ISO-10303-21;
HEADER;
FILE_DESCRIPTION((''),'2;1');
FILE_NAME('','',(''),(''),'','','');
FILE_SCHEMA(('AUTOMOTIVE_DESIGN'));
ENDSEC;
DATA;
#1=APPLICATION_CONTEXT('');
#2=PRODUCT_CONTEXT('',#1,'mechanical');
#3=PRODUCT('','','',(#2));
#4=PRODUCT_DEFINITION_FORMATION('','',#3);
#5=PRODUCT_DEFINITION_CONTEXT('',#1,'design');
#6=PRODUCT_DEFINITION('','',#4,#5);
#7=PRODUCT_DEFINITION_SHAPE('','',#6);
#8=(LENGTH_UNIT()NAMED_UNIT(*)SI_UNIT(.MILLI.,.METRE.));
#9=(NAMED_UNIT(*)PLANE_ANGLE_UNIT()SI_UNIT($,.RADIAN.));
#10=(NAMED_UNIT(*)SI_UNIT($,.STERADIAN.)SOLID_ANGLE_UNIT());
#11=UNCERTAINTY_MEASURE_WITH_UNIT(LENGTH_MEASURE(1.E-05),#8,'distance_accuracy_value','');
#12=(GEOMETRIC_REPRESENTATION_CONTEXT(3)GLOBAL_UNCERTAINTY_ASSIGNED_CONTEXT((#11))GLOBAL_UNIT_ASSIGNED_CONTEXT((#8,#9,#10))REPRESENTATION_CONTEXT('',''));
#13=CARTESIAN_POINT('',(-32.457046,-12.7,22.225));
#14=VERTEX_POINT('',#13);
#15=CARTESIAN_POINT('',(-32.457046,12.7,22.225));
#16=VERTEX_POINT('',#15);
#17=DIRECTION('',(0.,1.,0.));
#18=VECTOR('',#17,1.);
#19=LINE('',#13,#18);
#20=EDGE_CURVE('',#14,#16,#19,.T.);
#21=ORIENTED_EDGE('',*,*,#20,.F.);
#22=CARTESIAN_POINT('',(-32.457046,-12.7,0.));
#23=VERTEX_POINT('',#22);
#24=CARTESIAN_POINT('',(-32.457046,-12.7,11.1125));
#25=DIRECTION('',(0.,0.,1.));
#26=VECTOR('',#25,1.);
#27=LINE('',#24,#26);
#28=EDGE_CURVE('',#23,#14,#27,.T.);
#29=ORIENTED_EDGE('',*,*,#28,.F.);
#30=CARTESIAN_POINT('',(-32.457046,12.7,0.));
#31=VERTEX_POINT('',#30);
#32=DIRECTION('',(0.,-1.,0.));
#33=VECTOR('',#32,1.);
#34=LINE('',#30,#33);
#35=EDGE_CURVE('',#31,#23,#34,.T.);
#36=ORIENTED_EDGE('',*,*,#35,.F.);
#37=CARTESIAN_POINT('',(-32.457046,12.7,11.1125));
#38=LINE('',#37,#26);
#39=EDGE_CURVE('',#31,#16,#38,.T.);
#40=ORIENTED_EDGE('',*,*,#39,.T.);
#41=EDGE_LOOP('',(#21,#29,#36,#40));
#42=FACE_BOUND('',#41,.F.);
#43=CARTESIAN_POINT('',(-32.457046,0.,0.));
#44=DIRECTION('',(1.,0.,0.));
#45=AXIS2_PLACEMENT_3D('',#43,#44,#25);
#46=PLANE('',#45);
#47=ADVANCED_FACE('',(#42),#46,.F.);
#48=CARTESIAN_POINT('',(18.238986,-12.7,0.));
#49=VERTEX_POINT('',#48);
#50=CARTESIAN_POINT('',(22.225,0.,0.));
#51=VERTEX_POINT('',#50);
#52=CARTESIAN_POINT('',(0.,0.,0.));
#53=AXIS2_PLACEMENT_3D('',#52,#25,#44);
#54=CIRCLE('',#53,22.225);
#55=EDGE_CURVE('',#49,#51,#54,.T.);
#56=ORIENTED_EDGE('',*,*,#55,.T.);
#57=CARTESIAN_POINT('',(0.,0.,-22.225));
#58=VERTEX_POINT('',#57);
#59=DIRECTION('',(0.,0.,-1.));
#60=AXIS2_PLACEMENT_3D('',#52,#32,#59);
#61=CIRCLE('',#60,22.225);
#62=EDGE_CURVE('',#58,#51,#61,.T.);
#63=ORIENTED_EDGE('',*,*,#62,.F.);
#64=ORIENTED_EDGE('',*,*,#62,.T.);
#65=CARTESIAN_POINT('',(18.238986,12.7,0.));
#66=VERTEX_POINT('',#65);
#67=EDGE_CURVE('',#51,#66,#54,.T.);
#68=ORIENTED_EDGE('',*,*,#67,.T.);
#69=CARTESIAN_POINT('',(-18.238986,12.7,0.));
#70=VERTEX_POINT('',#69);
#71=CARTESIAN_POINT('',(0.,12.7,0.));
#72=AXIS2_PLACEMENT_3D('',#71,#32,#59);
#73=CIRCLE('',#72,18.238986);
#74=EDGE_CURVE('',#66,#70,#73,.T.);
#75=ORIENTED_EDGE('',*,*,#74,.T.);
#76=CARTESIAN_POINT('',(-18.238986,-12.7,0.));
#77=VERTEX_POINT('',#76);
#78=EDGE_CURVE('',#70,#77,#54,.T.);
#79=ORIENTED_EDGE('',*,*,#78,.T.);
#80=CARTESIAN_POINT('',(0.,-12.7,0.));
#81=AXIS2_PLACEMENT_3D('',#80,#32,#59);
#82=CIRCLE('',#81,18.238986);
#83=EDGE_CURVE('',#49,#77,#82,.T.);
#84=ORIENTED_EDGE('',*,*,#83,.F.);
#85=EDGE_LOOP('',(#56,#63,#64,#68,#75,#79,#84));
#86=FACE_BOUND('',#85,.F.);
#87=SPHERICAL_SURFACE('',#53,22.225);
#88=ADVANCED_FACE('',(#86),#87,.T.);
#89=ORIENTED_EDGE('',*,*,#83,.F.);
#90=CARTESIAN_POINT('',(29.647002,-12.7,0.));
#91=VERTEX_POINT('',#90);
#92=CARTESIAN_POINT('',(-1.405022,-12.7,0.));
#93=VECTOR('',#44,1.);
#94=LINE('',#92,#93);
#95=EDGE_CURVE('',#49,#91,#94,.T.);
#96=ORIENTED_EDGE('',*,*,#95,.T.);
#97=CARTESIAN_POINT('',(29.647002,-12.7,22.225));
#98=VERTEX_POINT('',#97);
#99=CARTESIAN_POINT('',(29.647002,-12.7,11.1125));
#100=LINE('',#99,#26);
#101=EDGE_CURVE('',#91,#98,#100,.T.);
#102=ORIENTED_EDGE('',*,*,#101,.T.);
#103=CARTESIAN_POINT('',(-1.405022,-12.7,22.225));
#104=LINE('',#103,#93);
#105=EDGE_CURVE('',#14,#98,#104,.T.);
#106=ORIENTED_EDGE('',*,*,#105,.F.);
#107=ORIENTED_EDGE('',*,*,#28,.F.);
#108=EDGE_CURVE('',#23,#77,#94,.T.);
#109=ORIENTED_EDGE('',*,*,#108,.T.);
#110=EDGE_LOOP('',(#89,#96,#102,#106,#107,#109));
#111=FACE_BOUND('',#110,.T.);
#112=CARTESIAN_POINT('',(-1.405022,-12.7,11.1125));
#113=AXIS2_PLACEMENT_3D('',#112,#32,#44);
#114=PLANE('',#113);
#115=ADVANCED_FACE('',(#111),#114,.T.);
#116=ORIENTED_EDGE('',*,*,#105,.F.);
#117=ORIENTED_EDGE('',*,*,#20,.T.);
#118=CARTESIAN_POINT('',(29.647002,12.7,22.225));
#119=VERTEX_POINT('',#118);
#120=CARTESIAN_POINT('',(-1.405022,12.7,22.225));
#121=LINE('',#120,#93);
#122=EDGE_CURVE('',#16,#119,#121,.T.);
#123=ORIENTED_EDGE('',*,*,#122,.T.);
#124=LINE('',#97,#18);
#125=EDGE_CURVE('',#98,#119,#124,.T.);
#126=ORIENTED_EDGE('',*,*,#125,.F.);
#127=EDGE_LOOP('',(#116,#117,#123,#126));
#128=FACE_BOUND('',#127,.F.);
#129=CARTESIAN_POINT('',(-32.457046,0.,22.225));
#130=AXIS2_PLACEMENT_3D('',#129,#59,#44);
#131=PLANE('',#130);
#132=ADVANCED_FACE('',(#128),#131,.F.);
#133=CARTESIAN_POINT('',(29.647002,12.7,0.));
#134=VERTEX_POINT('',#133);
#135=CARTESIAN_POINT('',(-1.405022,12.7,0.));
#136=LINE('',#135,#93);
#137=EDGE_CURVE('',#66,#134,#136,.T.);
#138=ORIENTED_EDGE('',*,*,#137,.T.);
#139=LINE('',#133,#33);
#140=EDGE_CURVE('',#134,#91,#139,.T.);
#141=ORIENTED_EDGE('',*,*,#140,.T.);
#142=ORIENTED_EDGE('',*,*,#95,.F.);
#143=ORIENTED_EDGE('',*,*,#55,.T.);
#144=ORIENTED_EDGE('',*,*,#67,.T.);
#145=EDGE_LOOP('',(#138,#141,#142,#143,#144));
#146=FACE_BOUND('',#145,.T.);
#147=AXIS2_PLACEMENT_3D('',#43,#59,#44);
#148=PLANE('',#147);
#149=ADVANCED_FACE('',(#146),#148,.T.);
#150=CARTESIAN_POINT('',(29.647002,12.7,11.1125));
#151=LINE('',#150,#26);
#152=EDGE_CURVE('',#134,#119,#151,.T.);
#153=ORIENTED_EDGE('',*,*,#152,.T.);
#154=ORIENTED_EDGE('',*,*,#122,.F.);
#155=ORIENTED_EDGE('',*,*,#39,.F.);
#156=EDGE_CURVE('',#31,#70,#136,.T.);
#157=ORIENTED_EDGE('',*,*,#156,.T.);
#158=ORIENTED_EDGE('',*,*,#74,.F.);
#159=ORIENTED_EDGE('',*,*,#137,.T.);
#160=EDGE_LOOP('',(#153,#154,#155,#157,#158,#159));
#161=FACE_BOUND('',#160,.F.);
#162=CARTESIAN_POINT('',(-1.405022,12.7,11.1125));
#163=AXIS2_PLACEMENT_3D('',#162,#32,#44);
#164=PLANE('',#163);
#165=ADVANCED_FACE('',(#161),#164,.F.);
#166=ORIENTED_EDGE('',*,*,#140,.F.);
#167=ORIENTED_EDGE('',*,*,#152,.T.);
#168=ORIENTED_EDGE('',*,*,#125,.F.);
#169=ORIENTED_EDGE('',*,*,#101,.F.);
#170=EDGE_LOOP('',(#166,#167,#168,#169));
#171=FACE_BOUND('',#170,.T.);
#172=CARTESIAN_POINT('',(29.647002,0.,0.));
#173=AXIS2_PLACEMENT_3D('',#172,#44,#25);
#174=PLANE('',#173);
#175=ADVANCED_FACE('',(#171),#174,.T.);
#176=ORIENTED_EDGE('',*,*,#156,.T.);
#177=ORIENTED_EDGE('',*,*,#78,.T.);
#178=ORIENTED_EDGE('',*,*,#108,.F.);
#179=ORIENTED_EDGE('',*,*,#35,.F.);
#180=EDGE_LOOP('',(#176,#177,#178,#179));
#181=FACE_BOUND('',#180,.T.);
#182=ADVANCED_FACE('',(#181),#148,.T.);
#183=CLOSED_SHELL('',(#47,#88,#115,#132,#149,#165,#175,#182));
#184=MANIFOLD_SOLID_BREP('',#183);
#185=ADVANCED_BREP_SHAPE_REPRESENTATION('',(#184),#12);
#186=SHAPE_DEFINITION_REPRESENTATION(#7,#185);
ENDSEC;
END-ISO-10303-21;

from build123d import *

# Parameters (mm, degrees)
F2_W     = 62.104048
F2_H     = 22.225
F3_DEPTH = 12.7


with BuildPart() as f1:
    # F0 (on Front) → F1 (revolve)
    with BuildSketch(Plane.XZ):
        with BuildLine():
            Line((0, 22.225), (0, -22.225))
            ThreePointArc((0, -22.225), (22.225, 0), (0, 22.225))
        make_face()
    revolve(axis=Axis((0, 0, 0), (0, 0, -1)))

    # F2 (on Front) → F3 (join, symmetric)
    with BuildSketch(Plane.XZ):
        with Locations((-1.405022, 11.1125)):
            Rectangle(F2_W, F2_H)
    extrude(amount=F3_DEPTH, both=True)


solid = f1.part
